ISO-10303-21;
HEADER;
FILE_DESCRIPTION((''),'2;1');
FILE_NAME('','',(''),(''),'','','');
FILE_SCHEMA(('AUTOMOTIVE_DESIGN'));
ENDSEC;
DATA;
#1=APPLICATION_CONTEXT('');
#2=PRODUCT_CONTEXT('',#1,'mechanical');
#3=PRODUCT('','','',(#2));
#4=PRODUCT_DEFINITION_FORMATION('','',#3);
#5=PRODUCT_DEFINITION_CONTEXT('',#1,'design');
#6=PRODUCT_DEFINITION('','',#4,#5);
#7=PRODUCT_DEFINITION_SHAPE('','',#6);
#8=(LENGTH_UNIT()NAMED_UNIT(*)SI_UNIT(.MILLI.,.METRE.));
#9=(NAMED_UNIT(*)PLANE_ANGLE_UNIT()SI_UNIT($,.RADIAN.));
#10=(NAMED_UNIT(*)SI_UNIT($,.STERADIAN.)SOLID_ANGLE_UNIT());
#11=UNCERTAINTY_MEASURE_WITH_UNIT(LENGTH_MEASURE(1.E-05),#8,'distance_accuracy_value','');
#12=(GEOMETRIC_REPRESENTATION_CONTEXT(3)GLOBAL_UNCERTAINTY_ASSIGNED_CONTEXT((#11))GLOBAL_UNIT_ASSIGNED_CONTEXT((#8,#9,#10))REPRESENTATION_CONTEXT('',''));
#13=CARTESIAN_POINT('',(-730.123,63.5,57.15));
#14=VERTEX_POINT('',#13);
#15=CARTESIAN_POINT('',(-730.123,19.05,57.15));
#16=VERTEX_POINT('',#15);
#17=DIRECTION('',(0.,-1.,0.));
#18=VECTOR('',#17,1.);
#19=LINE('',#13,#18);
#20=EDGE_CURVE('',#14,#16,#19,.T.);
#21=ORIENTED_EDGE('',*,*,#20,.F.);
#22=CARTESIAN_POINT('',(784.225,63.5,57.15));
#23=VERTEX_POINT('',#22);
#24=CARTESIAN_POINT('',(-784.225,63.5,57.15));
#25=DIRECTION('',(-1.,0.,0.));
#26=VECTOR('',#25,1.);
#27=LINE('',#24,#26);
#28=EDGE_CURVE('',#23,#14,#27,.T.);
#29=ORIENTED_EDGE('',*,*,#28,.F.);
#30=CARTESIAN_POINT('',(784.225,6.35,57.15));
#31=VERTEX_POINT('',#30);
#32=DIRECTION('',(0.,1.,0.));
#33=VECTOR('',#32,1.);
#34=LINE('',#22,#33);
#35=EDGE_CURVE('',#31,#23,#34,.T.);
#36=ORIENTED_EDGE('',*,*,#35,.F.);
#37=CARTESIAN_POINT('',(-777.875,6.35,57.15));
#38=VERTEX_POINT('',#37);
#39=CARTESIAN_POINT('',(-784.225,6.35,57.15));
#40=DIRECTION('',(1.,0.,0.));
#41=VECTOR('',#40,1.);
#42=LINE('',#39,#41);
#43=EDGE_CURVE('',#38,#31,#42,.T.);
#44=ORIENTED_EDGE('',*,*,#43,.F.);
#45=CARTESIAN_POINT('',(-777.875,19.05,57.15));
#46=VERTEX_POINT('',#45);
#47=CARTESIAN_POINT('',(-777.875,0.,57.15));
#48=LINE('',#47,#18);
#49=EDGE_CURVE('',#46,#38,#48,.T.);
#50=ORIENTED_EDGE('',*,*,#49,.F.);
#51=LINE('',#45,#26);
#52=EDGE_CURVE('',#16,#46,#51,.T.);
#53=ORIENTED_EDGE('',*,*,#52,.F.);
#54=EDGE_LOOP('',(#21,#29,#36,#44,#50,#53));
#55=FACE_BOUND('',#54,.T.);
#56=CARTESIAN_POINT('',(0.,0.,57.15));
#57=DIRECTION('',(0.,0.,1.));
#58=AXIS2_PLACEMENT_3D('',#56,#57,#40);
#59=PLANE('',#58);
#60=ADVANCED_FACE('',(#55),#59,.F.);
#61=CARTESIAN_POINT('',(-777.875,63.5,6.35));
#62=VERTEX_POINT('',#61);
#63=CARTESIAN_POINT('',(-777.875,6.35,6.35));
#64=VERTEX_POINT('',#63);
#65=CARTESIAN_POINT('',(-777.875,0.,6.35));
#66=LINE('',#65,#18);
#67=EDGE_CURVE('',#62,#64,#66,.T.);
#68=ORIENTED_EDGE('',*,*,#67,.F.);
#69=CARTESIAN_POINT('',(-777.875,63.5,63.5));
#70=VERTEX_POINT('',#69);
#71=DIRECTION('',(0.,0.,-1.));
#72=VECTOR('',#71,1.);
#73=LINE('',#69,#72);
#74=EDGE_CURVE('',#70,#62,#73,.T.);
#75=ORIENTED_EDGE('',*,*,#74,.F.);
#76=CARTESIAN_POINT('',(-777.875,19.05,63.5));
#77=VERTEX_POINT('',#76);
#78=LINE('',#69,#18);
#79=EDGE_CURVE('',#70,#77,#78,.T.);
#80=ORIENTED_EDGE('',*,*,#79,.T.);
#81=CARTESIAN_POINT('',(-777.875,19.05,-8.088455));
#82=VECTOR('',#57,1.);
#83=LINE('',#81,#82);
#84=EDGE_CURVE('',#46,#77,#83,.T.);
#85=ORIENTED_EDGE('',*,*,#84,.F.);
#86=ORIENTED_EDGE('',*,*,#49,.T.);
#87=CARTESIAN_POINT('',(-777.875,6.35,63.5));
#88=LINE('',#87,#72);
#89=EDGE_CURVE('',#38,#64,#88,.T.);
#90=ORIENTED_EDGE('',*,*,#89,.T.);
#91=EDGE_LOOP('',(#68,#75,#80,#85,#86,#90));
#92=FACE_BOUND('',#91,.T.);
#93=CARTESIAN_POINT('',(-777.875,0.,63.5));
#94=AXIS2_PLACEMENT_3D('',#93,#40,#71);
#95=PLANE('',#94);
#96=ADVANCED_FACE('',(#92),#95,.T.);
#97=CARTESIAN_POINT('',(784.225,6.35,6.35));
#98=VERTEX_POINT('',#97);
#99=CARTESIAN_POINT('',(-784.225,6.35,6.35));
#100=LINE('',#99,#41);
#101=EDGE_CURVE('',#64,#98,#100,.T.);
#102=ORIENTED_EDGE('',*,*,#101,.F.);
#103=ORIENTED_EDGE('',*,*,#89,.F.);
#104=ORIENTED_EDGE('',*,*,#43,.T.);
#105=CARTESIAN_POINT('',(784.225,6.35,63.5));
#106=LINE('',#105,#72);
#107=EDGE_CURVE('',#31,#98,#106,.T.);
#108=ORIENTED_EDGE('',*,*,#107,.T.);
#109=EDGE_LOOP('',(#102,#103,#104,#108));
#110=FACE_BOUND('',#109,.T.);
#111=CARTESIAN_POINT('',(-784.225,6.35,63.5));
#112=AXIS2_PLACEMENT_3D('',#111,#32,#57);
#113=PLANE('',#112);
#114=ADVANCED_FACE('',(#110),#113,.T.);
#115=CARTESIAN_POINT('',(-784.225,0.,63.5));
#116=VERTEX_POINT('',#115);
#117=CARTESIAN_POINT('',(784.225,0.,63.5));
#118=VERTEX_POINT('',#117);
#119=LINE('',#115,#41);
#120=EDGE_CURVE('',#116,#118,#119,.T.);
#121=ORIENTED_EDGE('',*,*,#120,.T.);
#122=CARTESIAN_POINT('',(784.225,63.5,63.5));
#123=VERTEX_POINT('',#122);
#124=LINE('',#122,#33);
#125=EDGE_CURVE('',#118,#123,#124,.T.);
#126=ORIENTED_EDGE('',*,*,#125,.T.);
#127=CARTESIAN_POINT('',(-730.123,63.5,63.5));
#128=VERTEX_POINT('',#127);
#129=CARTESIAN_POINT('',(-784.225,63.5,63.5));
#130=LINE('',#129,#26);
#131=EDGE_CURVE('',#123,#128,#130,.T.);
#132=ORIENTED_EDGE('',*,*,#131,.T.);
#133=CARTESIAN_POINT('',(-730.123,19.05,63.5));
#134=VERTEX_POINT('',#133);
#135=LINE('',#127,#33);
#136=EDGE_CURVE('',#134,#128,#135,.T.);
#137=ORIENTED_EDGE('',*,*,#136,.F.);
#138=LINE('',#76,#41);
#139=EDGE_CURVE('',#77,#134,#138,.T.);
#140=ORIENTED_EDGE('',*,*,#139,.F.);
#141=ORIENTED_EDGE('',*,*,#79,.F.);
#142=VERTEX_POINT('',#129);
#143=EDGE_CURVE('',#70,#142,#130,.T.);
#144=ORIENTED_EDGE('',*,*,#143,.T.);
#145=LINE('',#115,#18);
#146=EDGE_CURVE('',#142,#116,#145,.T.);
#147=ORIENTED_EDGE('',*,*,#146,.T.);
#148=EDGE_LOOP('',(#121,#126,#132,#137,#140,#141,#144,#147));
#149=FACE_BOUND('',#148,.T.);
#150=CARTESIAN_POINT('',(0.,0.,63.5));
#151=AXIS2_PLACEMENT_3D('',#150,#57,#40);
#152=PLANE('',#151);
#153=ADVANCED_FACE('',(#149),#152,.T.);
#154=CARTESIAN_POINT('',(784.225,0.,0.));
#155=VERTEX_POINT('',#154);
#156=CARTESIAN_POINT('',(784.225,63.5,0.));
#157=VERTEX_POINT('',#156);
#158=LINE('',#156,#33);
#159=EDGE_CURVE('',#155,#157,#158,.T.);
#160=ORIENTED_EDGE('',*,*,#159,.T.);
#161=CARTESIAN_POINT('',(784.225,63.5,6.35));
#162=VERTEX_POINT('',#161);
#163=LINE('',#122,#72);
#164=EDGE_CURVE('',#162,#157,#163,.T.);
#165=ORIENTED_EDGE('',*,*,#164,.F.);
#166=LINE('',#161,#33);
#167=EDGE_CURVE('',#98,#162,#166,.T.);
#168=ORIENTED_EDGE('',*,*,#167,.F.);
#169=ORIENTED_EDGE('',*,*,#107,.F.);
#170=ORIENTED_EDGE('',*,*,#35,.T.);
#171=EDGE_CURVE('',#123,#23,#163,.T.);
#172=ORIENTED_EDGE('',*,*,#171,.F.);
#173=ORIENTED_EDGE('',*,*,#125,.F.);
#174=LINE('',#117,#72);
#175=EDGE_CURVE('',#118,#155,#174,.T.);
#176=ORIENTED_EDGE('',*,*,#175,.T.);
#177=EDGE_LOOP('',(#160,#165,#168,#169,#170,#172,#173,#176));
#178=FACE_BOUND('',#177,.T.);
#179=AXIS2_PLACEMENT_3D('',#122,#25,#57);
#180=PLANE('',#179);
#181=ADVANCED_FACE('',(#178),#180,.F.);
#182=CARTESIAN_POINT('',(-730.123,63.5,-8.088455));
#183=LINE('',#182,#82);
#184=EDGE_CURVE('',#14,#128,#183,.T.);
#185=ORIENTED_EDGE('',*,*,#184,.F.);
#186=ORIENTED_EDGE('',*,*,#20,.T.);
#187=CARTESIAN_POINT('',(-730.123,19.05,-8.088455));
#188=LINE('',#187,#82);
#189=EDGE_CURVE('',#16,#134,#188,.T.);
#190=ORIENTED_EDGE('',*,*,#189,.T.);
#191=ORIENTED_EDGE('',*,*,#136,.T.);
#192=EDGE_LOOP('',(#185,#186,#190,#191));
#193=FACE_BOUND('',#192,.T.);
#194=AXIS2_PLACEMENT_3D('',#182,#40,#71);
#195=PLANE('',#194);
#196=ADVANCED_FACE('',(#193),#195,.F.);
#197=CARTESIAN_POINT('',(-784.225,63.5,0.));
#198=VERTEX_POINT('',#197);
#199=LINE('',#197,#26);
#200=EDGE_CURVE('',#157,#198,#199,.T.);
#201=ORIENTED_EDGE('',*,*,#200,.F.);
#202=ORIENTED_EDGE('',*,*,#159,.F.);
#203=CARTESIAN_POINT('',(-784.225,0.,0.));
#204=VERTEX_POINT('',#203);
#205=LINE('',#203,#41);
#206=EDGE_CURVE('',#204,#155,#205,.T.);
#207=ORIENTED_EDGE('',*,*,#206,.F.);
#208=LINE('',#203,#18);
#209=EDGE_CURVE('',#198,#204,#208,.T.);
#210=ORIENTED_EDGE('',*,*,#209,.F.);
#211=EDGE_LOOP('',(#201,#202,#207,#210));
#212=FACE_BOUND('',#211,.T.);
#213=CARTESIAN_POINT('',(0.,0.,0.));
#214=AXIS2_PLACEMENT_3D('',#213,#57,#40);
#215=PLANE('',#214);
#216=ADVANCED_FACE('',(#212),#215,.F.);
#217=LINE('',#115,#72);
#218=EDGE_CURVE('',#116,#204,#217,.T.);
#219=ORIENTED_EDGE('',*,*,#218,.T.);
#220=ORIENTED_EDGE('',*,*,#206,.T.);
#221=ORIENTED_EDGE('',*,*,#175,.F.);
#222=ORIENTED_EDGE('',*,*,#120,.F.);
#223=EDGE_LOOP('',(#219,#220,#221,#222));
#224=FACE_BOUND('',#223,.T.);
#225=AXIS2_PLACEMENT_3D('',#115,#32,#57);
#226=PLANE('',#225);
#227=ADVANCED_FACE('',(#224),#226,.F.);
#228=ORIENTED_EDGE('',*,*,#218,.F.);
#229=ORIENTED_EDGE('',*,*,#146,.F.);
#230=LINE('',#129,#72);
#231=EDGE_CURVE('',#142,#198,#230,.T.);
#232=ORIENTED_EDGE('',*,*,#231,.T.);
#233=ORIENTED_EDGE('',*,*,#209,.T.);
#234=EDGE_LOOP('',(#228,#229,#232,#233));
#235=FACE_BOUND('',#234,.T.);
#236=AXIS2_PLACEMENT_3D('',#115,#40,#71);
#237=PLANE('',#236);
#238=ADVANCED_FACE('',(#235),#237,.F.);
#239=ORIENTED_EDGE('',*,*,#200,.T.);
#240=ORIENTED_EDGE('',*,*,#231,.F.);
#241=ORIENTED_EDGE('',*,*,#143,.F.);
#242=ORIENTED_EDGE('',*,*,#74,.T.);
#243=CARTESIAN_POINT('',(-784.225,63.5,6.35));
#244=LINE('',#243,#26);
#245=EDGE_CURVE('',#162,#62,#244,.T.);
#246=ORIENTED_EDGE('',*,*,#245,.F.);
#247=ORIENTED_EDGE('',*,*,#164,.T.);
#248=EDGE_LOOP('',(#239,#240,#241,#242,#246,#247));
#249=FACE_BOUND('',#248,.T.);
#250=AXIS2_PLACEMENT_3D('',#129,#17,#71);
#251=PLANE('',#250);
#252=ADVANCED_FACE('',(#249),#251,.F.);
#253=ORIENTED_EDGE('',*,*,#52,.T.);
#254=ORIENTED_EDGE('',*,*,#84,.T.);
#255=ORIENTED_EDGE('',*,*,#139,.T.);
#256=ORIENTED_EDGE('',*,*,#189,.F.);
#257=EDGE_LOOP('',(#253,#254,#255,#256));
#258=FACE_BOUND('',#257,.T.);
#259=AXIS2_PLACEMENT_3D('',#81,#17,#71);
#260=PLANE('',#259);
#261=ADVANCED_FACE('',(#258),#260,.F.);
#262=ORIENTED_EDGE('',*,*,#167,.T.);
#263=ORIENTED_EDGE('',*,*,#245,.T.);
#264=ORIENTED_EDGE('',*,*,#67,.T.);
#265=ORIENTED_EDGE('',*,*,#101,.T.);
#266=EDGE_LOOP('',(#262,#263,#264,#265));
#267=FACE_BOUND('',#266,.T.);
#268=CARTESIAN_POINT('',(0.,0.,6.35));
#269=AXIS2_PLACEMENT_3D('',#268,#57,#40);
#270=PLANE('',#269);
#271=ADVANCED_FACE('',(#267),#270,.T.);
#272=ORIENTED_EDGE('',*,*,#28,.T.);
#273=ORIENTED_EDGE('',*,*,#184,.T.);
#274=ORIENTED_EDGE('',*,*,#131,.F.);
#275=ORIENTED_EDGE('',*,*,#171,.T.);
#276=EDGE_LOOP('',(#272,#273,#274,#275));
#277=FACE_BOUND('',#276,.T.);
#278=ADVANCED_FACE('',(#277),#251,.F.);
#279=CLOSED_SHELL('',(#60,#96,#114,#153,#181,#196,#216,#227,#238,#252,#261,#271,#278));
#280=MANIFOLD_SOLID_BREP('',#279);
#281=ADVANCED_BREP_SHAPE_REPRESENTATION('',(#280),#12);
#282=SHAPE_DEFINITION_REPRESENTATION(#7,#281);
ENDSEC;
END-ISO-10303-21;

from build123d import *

# Parameters (mm, degrees)
SKETCH1_W           = 1568.45
SKETCH1_H           = 63.5
BOSS_EXTRUDE1_DEPTH = 63.5
SHELL1_T            = -6.35
SKETCH3_W           = 47.752
SKETCH3_H           = 44.45
CUT_EXTRUDE1_DEPTH  = 6.35


with BuildPart() as part:
    # Sketch1 → Boss-Extrude1 (new body)
    with BuildSketch(Plane.XY):
        with Locations((0, 31.75)):
            Rectangle(SKETCH1_W, SKETCH1_H)
    extrude(amount=BOSS_EXTRUDE1_DEPTH)

    # Shell1
    shell1_openings = [part.faces().sort_by_distance(p)[0] for p in [
        (0, 63.5, 31.75),
        (784.225, 31.75, 31.75),
    ]]
    offset(amount=SHELL1_T, openings=shell1_openings, kind=Kind.INTERSECTION)

    # Sketch3 → Cut-Extrude1 (cut)
    with BuildSketch(Plane.XY.offset(63.5)):
        with Locations((-753.999, 41.275)):
            Rectangle(SKETCH3_W, SKETCH3_H)
    extrude(amount=-CUT_EXTRUDE1_DEPTH, mode=Mode.SUBTRACT)


solid = part.part
